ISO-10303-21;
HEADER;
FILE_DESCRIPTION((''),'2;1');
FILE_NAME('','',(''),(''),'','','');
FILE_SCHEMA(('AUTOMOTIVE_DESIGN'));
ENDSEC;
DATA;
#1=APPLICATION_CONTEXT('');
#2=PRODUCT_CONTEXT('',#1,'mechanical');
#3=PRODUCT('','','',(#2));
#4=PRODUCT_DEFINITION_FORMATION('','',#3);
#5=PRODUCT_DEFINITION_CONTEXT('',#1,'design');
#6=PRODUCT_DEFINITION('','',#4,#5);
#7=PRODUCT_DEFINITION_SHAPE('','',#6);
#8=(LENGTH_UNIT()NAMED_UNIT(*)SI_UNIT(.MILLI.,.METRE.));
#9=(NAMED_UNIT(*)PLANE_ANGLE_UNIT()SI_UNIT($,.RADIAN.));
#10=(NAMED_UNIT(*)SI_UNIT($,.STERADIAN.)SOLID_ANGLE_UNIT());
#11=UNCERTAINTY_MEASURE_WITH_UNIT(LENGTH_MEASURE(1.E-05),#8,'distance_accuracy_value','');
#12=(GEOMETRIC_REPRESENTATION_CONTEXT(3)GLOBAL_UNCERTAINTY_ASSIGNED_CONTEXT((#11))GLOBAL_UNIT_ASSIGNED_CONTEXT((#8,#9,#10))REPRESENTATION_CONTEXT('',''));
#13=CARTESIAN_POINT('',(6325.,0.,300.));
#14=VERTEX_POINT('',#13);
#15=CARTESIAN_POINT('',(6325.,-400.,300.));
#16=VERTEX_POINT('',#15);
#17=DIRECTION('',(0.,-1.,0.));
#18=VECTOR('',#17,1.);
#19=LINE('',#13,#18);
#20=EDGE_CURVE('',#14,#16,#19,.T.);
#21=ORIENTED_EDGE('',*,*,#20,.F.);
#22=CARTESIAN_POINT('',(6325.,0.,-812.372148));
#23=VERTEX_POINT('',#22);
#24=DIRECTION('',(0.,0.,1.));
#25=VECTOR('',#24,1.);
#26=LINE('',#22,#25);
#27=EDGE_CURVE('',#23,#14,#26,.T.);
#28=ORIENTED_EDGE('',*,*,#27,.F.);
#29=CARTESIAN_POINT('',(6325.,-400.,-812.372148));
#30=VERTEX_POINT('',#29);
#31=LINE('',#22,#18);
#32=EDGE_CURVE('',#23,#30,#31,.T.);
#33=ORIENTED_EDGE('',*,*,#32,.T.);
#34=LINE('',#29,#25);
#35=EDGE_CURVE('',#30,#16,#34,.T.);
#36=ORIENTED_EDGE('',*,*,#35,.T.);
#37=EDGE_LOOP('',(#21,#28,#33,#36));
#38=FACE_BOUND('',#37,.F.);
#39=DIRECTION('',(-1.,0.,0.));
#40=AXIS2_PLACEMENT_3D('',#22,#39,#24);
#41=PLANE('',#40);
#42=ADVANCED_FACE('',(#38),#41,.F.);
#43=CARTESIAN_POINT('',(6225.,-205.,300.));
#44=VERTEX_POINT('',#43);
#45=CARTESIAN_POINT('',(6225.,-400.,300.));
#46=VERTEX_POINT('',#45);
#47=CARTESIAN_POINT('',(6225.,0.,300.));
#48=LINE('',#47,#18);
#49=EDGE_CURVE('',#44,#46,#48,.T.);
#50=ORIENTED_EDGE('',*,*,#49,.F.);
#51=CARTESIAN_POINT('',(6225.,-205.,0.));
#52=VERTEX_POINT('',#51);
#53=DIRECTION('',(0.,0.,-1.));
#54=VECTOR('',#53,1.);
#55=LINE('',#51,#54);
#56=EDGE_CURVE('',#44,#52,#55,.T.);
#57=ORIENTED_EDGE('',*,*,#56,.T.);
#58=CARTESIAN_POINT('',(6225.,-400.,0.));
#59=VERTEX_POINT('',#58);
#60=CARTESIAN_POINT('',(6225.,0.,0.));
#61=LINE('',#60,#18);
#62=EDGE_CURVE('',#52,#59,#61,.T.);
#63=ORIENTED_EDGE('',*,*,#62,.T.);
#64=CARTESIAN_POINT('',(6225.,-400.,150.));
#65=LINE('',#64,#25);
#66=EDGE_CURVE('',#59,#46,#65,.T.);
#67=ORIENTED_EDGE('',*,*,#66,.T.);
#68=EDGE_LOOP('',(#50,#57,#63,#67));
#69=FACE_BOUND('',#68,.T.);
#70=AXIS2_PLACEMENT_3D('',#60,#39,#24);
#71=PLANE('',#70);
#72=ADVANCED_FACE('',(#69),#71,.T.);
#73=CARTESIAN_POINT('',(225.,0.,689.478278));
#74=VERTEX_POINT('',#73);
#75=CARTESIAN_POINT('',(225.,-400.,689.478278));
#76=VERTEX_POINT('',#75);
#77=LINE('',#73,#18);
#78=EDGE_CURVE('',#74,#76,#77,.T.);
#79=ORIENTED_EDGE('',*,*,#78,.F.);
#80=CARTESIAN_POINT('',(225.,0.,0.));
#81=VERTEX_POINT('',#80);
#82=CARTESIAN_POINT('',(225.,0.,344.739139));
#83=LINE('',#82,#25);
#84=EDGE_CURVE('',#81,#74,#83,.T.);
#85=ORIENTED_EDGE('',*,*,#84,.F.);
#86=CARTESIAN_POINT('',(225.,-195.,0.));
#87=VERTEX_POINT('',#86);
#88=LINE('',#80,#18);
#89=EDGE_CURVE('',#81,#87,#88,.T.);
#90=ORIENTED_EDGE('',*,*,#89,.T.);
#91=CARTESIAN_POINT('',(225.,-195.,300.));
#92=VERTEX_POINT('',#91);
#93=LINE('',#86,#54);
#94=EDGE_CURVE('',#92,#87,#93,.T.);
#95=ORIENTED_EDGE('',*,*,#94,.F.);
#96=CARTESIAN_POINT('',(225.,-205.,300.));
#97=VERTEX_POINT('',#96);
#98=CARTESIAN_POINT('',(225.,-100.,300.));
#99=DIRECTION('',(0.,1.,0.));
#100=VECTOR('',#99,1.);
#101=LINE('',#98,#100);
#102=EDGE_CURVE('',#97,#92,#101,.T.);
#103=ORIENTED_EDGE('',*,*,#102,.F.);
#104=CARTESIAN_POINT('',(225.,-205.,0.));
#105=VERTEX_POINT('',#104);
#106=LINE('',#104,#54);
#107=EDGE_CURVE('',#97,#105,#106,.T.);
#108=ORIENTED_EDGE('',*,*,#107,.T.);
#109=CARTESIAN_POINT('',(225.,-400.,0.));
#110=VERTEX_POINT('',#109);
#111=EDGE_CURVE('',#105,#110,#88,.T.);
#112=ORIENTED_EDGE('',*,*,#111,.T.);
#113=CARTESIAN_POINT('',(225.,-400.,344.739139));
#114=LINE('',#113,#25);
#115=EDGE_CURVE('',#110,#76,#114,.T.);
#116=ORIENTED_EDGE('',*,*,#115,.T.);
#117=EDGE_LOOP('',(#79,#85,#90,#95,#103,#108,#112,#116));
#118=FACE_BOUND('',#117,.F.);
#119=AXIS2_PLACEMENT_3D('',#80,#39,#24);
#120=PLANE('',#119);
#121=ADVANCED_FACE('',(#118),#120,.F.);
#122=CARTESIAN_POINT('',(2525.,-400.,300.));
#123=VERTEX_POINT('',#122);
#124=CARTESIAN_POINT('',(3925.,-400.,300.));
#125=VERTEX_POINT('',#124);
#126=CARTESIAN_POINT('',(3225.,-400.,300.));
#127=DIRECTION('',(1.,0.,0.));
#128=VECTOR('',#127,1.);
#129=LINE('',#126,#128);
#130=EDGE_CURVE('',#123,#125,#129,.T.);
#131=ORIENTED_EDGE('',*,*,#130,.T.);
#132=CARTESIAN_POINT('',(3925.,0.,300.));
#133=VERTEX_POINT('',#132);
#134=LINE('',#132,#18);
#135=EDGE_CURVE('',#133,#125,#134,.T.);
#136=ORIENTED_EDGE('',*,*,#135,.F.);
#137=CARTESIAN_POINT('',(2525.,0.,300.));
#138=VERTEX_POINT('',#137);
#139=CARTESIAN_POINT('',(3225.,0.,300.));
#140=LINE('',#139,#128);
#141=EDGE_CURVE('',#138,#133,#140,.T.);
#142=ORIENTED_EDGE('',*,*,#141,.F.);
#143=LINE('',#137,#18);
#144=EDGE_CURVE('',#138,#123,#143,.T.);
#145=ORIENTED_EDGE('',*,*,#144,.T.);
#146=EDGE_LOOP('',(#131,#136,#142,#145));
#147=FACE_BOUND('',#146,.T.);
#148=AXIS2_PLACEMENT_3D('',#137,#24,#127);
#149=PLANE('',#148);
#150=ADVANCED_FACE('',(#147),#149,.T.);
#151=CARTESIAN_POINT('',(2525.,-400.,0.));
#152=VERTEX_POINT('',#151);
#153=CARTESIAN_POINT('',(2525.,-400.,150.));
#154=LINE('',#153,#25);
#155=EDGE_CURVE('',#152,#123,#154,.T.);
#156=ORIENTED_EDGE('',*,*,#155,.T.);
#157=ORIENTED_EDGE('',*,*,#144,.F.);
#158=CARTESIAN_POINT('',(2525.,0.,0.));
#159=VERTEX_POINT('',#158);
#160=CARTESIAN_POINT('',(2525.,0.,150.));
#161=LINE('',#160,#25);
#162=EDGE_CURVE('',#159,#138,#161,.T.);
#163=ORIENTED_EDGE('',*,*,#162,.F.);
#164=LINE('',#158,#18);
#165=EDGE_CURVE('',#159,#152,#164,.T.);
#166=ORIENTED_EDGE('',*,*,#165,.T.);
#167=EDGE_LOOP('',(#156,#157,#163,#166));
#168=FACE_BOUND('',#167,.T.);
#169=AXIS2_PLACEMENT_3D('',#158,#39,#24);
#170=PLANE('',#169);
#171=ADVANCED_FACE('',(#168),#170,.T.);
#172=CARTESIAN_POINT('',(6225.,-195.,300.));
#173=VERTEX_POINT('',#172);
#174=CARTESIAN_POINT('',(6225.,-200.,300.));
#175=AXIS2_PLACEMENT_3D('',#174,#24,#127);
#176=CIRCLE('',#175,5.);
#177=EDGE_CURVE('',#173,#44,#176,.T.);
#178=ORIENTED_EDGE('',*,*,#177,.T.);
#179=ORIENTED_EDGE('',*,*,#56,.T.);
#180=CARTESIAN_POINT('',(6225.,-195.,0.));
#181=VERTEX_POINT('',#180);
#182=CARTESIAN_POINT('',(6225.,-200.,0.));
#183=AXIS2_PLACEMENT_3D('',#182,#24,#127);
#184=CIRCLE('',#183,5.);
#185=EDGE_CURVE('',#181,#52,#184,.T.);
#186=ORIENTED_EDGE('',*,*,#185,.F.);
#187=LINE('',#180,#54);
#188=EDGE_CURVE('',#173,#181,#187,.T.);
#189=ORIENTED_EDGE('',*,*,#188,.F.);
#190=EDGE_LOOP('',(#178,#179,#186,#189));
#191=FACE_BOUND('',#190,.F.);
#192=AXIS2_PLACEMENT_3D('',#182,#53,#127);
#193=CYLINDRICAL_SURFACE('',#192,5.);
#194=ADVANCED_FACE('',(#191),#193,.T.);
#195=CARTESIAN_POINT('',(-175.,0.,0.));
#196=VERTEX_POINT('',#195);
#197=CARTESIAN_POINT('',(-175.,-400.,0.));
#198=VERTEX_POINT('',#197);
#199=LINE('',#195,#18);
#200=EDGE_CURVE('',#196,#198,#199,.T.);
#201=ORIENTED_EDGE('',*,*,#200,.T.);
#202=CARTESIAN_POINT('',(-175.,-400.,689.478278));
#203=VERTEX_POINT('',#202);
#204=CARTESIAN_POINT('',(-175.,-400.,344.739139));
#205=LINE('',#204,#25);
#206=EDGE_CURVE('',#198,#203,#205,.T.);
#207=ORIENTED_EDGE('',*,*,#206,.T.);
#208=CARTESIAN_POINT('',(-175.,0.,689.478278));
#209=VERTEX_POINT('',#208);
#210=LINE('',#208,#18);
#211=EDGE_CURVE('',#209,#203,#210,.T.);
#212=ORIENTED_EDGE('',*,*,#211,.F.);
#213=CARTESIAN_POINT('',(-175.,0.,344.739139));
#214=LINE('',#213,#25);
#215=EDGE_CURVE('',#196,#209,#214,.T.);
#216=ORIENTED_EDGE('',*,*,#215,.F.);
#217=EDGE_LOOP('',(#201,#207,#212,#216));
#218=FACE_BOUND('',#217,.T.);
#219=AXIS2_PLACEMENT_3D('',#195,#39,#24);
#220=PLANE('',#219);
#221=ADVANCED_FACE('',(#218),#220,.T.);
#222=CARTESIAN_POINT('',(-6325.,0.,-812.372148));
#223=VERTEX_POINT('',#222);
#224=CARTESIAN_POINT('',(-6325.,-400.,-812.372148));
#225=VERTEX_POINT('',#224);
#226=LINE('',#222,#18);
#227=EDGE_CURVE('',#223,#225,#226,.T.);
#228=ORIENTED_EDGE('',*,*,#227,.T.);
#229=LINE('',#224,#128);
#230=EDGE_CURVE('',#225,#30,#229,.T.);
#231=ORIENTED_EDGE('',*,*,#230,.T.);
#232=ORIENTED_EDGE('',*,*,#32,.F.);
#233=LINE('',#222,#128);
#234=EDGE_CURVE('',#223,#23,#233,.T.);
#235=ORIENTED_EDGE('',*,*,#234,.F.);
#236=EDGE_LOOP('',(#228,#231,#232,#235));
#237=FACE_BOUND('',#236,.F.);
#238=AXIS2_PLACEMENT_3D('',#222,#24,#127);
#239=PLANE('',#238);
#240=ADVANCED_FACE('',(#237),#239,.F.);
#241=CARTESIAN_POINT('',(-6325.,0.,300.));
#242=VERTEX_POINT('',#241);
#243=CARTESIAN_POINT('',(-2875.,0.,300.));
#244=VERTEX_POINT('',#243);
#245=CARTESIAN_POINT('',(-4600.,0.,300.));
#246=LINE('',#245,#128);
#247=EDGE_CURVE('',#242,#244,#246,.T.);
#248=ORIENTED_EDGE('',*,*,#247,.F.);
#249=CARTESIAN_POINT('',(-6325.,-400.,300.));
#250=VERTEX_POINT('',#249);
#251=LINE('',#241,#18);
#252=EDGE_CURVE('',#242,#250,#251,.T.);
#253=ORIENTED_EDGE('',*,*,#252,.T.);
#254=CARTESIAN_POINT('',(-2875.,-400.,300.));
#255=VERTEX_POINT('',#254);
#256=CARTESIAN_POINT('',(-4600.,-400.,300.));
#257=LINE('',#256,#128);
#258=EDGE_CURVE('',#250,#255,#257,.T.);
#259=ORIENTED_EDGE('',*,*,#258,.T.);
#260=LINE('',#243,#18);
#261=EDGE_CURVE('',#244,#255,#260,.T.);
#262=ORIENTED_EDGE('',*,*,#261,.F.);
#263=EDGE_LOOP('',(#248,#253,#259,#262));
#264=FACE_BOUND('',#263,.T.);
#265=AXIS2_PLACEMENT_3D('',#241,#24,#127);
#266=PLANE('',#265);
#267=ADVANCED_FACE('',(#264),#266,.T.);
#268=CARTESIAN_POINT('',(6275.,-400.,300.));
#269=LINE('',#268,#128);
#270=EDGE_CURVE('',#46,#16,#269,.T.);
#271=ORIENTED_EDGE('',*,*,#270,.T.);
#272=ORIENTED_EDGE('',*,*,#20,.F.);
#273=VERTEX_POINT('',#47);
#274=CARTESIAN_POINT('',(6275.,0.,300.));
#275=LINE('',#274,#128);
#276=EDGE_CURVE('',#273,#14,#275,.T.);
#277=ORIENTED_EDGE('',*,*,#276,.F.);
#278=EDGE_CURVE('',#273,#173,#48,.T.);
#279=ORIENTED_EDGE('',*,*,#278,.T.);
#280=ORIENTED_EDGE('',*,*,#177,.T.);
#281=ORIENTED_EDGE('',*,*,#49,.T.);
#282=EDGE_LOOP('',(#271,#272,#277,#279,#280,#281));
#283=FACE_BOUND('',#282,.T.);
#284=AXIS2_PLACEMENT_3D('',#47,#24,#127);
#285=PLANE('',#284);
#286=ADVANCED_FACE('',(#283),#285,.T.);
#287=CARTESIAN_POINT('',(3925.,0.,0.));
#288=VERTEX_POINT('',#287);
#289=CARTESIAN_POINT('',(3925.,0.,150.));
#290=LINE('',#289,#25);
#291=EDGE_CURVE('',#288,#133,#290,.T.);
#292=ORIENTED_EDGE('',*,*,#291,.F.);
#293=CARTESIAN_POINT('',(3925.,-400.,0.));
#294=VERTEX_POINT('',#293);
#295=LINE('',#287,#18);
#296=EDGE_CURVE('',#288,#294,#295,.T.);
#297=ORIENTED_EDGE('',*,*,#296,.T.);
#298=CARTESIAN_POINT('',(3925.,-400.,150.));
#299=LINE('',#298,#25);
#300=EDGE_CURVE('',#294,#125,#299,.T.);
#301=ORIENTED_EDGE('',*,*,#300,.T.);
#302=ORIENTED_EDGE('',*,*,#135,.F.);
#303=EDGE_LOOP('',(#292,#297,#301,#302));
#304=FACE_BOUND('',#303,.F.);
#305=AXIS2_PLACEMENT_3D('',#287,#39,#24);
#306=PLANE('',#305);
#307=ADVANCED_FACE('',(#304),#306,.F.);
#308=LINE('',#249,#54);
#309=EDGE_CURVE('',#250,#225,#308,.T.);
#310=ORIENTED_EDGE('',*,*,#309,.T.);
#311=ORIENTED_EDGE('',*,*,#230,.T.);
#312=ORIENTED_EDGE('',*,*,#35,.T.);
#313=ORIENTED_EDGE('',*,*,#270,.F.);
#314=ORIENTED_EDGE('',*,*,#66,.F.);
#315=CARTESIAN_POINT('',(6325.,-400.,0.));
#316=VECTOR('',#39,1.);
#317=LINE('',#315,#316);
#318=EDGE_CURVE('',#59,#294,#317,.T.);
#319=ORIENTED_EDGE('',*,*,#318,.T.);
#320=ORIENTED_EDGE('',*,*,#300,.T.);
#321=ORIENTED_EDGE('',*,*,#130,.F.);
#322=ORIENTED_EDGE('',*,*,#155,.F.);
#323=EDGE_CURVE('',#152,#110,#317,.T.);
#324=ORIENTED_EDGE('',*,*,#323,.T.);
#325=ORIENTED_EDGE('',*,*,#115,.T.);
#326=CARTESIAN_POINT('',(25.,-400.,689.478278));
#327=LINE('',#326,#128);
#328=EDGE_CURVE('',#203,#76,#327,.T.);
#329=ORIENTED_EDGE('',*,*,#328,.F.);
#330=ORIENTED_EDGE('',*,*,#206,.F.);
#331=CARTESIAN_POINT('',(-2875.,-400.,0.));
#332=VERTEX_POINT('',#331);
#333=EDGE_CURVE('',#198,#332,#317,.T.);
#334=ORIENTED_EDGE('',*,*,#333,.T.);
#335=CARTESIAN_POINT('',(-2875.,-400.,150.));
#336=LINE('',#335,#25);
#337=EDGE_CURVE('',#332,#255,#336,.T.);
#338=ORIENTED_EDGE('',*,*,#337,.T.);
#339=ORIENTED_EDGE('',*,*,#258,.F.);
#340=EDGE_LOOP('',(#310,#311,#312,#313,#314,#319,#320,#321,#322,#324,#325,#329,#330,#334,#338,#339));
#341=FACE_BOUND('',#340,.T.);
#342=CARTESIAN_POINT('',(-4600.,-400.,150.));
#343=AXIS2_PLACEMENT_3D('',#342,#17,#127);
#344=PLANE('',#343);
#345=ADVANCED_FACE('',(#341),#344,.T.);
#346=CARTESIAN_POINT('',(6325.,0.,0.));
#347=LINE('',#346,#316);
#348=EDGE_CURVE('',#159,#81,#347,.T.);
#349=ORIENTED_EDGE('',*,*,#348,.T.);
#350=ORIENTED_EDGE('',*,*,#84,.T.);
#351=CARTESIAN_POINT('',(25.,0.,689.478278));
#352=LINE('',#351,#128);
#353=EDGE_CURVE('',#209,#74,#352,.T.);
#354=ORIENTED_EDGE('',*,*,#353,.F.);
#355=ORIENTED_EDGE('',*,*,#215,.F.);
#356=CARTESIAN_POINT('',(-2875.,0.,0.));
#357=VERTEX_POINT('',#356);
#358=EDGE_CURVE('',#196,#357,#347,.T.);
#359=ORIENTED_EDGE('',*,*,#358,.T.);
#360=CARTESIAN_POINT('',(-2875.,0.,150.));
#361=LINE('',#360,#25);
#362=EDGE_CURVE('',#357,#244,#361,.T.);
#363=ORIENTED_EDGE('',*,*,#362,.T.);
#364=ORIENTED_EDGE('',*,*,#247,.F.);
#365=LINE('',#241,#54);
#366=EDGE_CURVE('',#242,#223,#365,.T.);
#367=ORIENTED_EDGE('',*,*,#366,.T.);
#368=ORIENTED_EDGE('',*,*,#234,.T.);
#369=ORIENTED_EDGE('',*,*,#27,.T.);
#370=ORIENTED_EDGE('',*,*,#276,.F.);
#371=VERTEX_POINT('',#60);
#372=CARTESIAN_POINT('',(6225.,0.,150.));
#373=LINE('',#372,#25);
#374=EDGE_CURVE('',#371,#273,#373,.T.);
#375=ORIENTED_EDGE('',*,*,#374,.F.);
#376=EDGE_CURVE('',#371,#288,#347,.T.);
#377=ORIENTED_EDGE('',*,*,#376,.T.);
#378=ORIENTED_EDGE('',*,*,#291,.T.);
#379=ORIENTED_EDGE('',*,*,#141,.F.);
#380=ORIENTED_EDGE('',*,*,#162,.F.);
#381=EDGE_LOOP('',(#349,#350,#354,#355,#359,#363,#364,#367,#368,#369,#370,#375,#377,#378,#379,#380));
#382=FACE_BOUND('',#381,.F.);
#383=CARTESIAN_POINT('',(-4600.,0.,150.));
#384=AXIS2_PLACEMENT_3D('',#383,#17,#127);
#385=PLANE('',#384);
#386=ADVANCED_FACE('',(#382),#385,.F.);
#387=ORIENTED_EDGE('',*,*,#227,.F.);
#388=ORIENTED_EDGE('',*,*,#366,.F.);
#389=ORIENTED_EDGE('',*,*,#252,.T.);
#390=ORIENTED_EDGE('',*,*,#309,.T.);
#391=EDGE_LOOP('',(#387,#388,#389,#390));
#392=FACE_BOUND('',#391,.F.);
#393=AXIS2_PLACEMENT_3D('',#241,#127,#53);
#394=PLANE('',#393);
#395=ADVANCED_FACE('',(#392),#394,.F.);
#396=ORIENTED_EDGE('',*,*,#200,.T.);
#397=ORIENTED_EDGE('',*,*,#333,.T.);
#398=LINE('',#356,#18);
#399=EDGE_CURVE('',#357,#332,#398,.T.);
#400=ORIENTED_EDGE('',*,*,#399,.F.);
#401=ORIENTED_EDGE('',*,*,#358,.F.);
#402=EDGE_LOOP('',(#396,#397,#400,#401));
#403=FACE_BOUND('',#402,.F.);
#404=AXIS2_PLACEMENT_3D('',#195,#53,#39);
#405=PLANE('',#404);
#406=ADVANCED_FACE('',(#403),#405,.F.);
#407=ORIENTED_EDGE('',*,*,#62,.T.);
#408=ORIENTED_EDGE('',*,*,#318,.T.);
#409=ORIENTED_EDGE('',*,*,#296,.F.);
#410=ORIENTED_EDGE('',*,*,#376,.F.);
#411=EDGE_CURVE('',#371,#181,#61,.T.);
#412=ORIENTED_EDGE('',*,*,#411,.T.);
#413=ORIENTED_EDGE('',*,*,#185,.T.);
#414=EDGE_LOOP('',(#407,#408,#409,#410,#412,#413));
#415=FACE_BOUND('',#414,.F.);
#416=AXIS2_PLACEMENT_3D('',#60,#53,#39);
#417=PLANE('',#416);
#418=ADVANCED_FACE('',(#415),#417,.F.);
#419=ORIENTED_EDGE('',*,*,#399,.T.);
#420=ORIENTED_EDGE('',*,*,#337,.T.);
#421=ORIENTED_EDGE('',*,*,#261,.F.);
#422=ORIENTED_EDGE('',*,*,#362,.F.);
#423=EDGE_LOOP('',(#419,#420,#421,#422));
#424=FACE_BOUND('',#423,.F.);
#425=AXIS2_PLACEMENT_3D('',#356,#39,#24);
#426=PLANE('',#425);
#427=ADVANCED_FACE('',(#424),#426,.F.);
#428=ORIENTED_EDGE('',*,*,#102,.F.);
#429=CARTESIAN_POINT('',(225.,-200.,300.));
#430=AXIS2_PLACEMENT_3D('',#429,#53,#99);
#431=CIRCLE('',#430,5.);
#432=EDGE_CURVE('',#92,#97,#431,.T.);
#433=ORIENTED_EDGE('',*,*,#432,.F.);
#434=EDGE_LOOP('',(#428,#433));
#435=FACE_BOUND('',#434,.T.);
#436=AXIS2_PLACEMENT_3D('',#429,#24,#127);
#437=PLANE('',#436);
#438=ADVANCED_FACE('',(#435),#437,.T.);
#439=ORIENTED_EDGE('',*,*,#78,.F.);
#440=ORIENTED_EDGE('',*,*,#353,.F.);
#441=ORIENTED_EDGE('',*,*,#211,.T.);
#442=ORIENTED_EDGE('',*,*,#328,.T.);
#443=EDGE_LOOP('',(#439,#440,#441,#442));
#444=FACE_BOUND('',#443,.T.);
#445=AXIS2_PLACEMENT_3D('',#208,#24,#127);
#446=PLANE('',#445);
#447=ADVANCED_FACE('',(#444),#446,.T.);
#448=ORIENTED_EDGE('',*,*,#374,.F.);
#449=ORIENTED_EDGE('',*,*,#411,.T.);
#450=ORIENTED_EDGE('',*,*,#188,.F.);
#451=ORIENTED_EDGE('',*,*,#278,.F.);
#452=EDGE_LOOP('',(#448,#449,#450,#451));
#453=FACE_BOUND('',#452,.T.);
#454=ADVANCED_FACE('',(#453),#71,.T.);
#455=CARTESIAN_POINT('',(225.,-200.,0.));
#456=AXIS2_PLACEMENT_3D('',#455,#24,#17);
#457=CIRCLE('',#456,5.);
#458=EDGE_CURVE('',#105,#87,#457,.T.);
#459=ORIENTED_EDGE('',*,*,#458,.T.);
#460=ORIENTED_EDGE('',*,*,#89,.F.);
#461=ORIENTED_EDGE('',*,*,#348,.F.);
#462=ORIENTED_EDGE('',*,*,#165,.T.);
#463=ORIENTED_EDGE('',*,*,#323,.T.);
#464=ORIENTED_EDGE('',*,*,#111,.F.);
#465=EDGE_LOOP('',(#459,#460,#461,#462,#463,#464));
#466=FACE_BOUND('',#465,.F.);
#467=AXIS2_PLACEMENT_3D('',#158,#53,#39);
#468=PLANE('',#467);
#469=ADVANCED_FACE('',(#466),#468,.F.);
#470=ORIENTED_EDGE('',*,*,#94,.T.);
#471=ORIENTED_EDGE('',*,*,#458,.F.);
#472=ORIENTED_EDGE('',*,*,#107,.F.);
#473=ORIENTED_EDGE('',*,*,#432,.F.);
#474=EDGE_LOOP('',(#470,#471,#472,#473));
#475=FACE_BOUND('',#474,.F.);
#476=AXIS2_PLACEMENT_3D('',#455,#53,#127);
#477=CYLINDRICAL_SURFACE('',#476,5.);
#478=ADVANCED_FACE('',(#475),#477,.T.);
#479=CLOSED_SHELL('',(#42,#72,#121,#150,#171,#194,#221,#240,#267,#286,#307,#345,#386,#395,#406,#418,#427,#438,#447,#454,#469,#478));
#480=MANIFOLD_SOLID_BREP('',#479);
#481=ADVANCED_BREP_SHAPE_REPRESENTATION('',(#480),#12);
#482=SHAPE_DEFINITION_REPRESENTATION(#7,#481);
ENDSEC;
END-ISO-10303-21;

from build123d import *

# Parameters (mm, degrees)
F0_W     = 3450
F0_H     = 300
F0_W_2   = 400
F0_H_2   = 689.478278
F0_W_3   = 100
F0_W_4   = 1400
F1_DEPTH = 400
F2_R     = 5
F3_DEPTH = 300


with BuildPart() as f1:
    # F0 (on Front) → F1 (new body)
    with BuildSketch(Plane.XZ):
        with Locations((-4600, 150)):
            Rectangle(F0_W, F0_H)
        Polygon((-2875, 0), (-6325, 0), (-6325, -812.372148), (6325, -812.372148), (6325, 0), (6225, 0), (3925, 0), (2525, 0), (225, 0), (-175, 0), align=None)
        with Locations((25, 344.739139)):
            Rectangle(F0_W_2, F0_H_2)
        with Locations((6275, 150)):
            Rectangle(F0_W_3, F0_H)
        with Locations((3225, 150)):
            Rectangle(F0_W_4, F0_H)
    extrude(amount=F1_DEPTH)

    # F2 (on face) → F3 (join, through all)
    with BuildSketch(Plane.XY):
        with Locations((225, -200)):
            Circle(F2_R)
        with Locations((6225, -200)):
            Circle(F2_R)
    extrude(amount=F3_DEPTH)


solid = f1.part
